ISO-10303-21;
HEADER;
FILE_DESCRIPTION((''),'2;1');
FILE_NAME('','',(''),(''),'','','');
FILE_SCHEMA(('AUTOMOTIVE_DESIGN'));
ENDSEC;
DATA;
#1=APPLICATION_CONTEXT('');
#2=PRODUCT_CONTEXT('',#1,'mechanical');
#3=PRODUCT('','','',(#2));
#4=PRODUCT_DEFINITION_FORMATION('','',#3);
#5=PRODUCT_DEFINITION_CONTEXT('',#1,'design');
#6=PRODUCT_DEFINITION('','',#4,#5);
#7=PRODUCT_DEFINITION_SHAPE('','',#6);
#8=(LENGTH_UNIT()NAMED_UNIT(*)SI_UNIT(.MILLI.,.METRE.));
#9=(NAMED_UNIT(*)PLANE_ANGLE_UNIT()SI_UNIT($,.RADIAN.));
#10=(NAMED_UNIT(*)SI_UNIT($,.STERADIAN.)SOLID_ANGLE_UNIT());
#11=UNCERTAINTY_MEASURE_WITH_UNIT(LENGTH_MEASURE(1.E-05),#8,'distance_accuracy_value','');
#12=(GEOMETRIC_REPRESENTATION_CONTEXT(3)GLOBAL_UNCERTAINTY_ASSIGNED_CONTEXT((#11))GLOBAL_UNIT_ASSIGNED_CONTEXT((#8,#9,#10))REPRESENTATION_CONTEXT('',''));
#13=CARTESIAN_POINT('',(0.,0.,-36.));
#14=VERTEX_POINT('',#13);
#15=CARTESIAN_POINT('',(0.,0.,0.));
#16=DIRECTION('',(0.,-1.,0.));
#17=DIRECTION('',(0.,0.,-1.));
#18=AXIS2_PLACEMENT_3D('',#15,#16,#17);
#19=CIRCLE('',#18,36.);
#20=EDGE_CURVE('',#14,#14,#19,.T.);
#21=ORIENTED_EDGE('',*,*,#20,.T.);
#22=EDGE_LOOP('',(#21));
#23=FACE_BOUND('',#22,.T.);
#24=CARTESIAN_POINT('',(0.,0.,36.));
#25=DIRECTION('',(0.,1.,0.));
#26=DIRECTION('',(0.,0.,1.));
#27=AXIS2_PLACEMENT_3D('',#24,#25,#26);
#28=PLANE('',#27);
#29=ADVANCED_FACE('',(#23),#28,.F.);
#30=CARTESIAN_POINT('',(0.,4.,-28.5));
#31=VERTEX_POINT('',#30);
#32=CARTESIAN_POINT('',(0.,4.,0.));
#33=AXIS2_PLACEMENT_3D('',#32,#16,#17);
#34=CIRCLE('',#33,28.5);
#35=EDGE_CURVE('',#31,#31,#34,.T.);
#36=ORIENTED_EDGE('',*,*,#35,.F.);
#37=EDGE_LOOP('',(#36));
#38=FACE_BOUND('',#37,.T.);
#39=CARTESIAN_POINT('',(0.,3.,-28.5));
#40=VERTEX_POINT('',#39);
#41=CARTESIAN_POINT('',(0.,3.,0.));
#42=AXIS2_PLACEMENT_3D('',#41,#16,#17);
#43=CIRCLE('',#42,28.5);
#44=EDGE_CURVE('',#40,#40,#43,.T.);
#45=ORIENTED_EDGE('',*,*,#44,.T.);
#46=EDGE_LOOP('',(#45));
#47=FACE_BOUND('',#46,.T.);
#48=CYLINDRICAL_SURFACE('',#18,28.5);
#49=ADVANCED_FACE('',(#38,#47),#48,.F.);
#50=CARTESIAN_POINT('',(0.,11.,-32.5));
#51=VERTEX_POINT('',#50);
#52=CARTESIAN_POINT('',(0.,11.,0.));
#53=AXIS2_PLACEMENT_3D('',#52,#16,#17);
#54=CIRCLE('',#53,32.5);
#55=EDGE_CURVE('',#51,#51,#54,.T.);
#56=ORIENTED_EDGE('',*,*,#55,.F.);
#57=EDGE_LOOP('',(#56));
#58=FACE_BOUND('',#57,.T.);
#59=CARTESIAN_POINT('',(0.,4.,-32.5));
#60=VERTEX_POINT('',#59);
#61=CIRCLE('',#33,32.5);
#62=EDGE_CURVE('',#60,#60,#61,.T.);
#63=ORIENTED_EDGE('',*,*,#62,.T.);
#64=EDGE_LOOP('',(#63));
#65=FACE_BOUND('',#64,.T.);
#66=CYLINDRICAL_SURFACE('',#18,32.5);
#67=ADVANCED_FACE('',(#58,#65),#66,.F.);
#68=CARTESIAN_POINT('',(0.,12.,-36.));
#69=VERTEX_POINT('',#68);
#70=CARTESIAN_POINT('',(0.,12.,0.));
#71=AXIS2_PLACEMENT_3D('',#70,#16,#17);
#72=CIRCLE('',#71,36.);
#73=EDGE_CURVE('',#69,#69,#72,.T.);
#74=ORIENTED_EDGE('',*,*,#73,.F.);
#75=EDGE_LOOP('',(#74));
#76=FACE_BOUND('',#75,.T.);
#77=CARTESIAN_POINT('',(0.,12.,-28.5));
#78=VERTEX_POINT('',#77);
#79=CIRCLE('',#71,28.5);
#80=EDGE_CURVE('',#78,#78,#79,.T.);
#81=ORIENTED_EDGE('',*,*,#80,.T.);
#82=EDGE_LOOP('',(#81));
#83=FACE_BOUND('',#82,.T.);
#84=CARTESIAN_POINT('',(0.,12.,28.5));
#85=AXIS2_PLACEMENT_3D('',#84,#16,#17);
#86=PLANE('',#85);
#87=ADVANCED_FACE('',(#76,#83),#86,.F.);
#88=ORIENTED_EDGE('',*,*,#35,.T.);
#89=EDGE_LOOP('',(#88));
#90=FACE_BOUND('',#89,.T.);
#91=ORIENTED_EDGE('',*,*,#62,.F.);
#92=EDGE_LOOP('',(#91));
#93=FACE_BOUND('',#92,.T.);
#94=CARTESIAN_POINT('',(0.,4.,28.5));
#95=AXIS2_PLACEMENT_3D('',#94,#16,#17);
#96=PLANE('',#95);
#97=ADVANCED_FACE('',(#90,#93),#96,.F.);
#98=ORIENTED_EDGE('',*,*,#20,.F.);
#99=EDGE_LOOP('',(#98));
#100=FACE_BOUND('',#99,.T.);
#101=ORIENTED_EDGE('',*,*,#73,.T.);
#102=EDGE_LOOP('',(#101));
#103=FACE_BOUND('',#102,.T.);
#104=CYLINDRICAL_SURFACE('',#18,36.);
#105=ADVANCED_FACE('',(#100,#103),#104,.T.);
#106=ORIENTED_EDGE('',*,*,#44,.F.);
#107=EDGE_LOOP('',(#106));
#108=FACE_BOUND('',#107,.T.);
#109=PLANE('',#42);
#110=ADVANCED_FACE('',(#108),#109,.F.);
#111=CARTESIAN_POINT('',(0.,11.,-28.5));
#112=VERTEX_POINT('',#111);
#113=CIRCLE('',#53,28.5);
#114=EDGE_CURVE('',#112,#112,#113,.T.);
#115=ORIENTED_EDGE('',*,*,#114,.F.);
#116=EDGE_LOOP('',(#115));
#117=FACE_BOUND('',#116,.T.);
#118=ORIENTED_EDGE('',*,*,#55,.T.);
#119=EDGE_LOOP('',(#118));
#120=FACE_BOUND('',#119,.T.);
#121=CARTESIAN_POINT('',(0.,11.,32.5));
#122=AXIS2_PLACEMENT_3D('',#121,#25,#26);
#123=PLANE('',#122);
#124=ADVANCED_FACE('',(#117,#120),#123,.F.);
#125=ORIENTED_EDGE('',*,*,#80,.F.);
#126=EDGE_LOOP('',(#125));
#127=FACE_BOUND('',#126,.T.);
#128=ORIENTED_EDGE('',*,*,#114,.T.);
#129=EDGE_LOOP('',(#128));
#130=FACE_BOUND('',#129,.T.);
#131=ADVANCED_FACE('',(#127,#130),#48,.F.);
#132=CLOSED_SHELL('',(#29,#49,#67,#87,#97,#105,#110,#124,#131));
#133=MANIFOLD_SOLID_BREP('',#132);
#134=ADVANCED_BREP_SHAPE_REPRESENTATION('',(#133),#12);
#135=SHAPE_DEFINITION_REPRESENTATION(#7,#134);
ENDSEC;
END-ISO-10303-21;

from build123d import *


with BuildPart() as part:
    # Sketch1 → Revolve1 (revolve)
    with BuildSketch(Plane(origin=(0, 0, 0), x_dir=(0, 0, -1), z_dir=(1, 0, 0)), mode=Mode.PRIVATE) as revolve1_sk:
        Polygon((0, 0), (0, 3), (-28.5, 3), (-28.5, 4), (-32.5, 4), (-32.5, 11), (-28.5, 11), (-28.5, 12), (-36, 12), (-36, 0), align=None)
    revolve(revolve1_sk.sketch.rotate(Axis((0, 0, 0), (0, 1, 0)), 180), axis=Axis((0, 0, 0), (0, 1, 0)))


solid = part.part
